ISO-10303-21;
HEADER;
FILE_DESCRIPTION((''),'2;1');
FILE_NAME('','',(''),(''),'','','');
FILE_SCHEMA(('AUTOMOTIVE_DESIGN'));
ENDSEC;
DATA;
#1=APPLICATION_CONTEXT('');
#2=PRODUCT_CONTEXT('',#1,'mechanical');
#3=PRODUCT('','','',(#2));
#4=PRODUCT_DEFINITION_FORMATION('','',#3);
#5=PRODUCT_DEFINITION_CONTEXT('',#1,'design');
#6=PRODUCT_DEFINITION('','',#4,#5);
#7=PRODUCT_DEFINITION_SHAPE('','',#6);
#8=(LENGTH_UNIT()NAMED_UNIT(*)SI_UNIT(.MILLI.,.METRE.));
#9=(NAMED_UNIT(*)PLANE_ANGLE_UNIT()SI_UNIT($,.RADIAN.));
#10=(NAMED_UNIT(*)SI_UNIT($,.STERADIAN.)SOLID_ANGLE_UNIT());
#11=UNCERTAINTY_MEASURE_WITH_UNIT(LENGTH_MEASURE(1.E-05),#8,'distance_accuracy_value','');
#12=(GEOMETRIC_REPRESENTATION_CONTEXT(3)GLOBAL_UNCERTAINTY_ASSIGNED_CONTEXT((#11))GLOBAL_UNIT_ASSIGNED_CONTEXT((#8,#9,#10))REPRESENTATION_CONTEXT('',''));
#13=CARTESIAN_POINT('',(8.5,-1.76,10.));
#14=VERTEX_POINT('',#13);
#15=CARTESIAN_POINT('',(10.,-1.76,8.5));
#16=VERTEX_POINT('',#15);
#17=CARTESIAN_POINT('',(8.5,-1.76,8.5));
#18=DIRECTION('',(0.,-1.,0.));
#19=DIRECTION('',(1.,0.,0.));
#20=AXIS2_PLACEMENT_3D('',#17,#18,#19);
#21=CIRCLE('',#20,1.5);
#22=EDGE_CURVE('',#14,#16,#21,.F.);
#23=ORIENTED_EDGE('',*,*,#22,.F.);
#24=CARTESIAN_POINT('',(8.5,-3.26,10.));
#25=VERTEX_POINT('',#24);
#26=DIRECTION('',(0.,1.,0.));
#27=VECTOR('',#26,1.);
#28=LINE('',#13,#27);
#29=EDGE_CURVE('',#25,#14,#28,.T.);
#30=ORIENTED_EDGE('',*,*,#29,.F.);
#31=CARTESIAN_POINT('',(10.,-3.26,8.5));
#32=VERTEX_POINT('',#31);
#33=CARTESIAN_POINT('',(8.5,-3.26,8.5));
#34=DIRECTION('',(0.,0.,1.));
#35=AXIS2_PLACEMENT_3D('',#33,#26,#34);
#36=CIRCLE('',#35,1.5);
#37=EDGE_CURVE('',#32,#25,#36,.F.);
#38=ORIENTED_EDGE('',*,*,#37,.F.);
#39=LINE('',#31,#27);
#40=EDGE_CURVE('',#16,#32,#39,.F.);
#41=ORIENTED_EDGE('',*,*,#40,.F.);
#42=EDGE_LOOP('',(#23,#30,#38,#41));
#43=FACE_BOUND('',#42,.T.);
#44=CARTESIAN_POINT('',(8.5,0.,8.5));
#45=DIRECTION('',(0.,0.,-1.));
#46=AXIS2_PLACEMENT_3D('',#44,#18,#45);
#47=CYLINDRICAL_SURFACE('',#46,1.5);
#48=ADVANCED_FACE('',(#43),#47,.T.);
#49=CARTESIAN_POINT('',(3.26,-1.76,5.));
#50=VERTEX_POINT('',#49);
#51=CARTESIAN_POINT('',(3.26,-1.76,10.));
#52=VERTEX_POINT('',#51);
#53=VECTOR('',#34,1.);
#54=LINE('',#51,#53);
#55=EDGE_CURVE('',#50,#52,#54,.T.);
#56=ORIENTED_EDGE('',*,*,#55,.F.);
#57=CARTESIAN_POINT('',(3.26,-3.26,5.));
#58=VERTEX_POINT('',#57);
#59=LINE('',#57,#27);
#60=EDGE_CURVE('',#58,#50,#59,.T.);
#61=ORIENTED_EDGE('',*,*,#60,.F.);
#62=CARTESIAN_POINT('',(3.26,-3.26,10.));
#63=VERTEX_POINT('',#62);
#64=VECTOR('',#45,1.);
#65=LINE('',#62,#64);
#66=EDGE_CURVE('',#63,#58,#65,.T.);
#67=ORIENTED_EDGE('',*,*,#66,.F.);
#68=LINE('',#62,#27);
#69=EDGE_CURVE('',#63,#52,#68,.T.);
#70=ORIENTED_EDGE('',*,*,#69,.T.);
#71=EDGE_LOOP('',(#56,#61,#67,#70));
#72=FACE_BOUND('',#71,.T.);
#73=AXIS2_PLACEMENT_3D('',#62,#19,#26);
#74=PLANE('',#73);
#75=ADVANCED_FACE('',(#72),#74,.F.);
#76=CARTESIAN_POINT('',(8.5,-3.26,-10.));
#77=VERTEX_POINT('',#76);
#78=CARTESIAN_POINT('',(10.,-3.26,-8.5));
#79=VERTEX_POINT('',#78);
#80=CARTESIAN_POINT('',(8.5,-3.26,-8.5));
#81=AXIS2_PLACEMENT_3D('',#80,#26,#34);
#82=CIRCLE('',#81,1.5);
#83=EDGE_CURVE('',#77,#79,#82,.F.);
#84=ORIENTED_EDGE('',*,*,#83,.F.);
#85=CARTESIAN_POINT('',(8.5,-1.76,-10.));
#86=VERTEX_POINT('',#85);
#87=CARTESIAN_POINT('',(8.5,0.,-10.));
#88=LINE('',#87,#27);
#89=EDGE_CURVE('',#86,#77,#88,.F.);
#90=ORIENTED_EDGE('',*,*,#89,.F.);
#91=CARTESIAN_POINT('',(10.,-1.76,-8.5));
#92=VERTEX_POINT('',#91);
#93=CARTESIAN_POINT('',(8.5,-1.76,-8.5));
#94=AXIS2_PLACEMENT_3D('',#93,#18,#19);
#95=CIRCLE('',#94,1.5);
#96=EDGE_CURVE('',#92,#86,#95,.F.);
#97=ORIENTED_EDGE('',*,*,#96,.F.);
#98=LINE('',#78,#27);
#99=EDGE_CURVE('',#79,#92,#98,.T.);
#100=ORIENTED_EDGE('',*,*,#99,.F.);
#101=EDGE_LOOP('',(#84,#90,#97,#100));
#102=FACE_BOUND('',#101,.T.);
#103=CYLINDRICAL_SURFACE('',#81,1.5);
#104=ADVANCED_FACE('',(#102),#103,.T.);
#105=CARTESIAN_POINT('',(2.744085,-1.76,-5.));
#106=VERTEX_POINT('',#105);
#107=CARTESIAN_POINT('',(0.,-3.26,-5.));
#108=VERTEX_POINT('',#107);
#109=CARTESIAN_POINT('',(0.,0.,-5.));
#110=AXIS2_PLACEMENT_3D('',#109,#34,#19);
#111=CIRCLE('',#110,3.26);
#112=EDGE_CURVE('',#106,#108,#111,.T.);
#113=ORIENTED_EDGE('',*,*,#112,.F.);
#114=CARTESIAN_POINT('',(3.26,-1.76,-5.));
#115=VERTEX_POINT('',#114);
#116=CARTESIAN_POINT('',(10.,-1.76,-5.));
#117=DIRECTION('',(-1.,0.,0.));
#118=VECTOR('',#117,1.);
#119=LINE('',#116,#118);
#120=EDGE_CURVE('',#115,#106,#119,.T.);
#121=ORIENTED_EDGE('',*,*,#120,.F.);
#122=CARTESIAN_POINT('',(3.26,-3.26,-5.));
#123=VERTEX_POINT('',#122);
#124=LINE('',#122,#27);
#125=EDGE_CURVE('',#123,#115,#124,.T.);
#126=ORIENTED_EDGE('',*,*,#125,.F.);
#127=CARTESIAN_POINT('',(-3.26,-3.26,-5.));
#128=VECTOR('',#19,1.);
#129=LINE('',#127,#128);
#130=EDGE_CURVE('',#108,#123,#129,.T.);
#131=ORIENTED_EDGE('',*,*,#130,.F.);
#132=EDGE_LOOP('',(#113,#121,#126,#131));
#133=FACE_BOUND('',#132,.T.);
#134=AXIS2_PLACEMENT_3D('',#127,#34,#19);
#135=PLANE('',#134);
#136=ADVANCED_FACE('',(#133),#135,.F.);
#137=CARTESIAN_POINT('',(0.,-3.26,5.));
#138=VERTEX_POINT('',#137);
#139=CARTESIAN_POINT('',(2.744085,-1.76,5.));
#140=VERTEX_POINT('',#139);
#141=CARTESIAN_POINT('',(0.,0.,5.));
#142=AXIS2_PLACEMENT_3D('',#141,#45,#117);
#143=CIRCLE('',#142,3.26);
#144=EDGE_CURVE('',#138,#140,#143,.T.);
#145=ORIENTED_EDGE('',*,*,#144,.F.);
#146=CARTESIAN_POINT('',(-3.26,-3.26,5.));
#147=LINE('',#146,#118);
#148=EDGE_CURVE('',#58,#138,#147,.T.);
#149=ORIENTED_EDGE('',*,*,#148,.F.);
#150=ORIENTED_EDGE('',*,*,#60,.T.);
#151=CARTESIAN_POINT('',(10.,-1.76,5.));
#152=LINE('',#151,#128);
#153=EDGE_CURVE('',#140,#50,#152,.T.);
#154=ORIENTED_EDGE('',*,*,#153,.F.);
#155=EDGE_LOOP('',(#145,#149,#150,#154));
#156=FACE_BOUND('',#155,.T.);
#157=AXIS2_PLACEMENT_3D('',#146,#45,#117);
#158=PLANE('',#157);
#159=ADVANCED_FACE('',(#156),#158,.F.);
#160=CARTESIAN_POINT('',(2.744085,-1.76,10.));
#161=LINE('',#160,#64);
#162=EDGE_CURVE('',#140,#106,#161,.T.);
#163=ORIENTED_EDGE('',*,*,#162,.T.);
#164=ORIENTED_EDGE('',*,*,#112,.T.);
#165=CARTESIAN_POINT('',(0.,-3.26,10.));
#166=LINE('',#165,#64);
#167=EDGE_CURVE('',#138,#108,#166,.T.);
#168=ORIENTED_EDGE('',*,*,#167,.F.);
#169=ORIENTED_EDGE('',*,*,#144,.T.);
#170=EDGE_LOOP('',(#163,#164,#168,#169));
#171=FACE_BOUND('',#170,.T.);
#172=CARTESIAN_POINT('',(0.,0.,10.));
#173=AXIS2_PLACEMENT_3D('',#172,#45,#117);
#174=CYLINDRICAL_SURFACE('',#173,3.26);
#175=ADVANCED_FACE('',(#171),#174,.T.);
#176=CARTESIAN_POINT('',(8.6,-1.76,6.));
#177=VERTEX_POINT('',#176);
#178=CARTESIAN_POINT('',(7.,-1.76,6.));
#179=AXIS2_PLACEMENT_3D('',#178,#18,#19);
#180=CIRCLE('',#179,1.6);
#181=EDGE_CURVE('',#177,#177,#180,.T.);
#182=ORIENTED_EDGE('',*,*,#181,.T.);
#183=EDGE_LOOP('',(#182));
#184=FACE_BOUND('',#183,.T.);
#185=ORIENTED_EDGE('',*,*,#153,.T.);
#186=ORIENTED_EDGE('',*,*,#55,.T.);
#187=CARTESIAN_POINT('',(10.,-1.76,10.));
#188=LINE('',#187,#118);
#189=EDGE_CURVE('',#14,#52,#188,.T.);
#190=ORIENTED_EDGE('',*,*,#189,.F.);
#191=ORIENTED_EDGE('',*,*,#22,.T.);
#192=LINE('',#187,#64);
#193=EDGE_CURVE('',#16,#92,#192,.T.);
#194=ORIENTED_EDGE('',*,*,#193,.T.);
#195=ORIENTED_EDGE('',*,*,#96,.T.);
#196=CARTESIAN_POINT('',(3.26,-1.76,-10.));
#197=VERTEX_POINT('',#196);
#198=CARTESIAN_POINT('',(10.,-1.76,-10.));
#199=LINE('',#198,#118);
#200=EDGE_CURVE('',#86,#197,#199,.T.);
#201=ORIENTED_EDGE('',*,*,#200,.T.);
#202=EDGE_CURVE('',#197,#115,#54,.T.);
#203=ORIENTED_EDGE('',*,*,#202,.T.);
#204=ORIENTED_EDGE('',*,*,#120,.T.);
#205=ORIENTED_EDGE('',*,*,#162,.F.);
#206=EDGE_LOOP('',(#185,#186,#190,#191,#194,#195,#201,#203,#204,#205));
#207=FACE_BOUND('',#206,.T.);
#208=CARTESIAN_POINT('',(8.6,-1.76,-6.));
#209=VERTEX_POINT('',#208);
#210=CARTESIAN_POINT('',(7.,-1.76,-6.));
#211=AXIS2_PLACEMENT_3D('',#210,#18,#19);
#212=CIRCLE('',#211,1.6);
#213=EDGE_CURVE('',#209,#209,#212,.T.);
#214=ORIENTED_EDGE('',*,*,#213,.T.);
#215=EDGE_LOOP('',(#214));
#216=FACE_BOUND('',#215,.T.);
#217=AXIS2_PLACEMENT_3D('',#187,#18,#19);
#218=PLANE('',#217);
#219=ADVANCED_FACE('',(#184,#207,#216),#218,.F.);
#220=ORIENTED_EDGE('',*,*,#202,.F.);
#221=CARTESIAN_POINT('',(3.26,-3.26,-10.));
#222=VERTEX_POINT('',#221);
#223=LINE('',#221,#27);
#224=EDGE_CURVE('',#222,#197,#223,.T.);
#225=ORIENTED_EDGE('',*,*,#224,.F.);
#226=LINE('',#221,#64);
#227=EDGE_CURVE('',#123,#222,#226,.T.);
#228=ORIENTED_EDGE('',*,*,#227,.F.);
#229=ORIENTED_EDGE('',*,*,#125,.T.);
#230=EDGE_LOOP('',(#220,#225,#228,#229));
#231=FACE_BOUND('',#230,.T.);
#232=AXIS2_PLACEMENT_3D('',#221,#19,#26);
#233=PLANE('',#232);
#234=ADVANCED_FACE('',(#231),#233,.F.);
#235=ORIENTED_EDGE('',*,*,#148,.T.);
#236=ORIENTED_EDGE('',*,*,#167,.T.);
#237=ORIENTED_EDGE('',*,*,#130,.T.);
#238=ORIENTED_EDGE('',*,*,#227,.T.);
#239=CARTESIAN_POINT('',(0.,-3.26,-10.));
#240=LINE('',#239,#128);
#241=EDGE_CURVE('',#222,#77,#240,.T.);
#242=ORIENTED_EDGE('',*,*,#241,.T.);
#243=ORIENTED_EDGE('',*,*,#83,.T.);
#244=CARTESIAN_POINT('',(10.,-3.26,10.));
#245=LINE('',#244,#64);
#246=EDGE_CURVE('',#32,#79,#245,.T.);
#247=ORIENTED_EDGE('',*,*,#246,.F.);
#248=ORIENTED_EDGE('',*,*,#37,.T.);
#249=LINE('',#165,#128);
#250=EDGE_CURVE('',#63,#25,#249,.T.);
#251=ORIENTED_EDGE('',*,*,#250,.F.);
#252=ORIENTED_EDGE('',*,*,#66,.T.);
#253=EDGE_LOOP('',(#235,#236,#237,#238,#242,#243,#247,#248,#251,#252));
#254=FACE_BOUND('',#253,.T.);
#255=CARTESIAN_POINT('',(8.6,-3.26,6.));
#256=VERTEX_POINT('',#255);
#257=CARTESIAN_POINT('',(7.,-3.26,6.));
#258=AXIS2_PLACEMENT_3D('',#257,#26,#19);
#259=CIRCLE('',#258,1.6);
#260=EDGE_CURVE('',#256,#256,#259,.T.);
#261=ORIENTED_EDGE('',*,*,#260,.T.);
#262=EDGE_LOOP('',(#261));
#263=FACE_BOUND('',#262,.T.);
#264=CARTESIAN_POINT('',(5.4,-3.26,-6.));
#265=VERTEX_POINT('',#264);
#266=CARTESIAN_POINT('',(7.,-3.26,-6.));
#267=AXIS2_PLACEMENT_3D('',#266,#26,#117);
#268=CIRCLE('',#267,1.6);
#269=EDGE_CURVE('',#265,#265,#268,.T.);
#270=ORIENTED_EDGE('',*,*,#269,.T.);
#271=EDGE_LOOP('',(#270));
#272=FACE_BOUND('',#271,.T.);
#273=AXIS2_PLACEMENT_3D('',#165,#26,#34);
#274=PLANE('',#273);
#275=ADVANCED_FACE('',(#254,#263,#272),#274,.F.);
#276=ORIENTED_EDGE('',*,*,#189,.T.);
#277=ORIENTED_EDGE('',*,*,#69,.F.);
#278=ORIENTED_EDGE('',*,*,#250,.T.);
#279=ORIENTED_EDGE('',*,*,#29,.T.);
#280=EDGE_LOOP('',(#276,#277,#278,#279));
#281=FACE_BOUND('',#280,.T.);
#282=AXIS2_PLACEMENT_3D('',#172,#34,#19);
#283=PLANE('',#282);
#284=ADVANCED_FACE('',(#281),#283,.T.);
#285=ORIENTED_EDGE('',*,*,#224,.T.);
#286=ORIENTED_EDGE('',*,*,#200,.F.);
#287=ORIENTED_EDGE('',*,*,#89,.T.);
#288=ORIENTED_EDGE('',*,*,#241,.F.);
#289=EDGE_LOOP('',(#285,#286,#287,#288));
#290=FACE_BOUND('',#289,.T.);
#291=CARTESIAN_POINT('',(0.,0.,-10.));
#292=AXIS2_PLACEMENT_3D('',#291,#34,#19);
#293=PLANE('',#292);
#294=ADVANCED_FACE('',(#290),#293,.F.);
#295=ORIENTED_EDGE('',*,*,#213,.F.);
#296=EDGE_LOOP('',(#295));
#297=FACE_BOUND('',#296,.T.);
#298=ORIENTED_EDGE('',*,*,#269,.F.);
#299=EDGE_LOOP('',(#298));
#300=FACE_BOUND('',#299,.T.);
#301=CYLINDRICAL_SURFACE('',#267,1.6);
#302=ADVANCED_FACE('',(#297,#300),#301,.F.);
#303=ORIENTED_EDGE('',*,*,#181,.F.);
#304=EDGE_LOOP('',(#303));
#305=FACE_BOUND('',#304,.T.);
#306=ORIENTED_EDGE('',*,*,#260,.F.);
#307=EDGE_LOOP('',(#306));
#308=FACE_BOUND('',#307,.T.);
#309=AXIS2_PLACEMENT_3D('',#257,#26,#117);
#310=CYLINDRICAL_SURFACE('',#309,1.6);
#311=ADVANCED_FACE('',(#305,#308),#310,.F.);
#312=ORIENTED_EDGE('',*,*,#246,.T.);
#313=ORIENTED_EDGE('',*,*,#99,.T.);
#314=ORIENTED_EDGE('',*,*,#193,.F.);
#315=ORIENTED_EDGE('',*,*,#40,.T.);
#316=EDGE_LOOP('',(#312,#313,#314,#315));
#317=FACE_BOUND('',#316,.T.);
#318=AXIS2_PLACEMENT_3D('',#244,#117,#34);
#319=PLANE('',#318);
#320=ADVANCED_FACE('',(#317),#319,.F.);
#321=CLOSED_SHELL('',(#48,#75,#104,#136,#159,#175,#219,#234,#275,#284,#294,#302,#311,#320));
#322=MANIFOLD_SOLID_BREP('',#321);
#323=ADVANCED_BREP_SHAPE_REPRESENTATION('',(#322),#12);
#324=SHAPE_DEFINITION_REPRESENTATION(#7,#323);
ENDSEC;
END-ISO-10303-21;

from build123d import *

# Parameters (mm, degrees)
EXTRUDE_1_DEPTH          = 10
CUT_EXTRUDE_1_DEPTH      = 16.006678513
CUT_EXTRUDE_1_DEPTH_BACK = 16.006678513
SKETCH_2_R               = 1.6
SKETCH_2_W               = 6.52
SKETCH_2_H               = 5
FILLET_1_R               = 1.5


with BuildPart() as part:
    # 草图1 → 凸台-拉伸1 (new, symmetric)
    with BuildSketch(Plane.XY):
        with BuildLine():
            Line((0, -3.26), (10, -3.26))
            Line((10, -3.26), (10, -1.76))
            Line((10, -1.76), (2.744084547, -1.76))
            ThreePointArc((2.744084547, -1.76), (-1.563649577, 2.860524427), (0, -3.26))
        make_face()
    extrude(amount=EXTRUDE_1_DEPTH, both=True)

    # 草图2 → 切除-拉伸1 (cut, two sides: drawn at the far end of the back side and taken through both)
    with BuildSketch(Plane(origin=(0, -1.76, 0), x_dir=(1, 0, 0), z_dir=(0, 1, 0)).offset(-CUT_EXTRUDE_1_DEPTH_BACK)):
        with Locations(Location((7, 6, 0), (0, 0, 180))):
            Circle(SKETCH_2_R)
        with Locations((7, -6)):
            Circle(SKETCH_2_R)
        with Locations((0, 7.5)):
            Rectangle(SKETCH_2_W, SKETCH_2_H)
        with Locations((0, -7.5)):
            Rectangle(SKETCH_2_W, SKETCH_2_H)
    extrude(amount=CUT_EXTRUDE_1_DEPTH + CUT_EXTRUDE_1_DEPTH_BACK, mode=Mode.SUBTRACT)

    # 圆角1
    fillet_1_edges = [part.edges().sort_by_distance(p)[0] for p in [
        (10, -2.51, 10),
        (10, -2.51, -10),
    ]]
    fillet(fillet_1_edges, radius=FILLET_1_R)


solid = part.part
